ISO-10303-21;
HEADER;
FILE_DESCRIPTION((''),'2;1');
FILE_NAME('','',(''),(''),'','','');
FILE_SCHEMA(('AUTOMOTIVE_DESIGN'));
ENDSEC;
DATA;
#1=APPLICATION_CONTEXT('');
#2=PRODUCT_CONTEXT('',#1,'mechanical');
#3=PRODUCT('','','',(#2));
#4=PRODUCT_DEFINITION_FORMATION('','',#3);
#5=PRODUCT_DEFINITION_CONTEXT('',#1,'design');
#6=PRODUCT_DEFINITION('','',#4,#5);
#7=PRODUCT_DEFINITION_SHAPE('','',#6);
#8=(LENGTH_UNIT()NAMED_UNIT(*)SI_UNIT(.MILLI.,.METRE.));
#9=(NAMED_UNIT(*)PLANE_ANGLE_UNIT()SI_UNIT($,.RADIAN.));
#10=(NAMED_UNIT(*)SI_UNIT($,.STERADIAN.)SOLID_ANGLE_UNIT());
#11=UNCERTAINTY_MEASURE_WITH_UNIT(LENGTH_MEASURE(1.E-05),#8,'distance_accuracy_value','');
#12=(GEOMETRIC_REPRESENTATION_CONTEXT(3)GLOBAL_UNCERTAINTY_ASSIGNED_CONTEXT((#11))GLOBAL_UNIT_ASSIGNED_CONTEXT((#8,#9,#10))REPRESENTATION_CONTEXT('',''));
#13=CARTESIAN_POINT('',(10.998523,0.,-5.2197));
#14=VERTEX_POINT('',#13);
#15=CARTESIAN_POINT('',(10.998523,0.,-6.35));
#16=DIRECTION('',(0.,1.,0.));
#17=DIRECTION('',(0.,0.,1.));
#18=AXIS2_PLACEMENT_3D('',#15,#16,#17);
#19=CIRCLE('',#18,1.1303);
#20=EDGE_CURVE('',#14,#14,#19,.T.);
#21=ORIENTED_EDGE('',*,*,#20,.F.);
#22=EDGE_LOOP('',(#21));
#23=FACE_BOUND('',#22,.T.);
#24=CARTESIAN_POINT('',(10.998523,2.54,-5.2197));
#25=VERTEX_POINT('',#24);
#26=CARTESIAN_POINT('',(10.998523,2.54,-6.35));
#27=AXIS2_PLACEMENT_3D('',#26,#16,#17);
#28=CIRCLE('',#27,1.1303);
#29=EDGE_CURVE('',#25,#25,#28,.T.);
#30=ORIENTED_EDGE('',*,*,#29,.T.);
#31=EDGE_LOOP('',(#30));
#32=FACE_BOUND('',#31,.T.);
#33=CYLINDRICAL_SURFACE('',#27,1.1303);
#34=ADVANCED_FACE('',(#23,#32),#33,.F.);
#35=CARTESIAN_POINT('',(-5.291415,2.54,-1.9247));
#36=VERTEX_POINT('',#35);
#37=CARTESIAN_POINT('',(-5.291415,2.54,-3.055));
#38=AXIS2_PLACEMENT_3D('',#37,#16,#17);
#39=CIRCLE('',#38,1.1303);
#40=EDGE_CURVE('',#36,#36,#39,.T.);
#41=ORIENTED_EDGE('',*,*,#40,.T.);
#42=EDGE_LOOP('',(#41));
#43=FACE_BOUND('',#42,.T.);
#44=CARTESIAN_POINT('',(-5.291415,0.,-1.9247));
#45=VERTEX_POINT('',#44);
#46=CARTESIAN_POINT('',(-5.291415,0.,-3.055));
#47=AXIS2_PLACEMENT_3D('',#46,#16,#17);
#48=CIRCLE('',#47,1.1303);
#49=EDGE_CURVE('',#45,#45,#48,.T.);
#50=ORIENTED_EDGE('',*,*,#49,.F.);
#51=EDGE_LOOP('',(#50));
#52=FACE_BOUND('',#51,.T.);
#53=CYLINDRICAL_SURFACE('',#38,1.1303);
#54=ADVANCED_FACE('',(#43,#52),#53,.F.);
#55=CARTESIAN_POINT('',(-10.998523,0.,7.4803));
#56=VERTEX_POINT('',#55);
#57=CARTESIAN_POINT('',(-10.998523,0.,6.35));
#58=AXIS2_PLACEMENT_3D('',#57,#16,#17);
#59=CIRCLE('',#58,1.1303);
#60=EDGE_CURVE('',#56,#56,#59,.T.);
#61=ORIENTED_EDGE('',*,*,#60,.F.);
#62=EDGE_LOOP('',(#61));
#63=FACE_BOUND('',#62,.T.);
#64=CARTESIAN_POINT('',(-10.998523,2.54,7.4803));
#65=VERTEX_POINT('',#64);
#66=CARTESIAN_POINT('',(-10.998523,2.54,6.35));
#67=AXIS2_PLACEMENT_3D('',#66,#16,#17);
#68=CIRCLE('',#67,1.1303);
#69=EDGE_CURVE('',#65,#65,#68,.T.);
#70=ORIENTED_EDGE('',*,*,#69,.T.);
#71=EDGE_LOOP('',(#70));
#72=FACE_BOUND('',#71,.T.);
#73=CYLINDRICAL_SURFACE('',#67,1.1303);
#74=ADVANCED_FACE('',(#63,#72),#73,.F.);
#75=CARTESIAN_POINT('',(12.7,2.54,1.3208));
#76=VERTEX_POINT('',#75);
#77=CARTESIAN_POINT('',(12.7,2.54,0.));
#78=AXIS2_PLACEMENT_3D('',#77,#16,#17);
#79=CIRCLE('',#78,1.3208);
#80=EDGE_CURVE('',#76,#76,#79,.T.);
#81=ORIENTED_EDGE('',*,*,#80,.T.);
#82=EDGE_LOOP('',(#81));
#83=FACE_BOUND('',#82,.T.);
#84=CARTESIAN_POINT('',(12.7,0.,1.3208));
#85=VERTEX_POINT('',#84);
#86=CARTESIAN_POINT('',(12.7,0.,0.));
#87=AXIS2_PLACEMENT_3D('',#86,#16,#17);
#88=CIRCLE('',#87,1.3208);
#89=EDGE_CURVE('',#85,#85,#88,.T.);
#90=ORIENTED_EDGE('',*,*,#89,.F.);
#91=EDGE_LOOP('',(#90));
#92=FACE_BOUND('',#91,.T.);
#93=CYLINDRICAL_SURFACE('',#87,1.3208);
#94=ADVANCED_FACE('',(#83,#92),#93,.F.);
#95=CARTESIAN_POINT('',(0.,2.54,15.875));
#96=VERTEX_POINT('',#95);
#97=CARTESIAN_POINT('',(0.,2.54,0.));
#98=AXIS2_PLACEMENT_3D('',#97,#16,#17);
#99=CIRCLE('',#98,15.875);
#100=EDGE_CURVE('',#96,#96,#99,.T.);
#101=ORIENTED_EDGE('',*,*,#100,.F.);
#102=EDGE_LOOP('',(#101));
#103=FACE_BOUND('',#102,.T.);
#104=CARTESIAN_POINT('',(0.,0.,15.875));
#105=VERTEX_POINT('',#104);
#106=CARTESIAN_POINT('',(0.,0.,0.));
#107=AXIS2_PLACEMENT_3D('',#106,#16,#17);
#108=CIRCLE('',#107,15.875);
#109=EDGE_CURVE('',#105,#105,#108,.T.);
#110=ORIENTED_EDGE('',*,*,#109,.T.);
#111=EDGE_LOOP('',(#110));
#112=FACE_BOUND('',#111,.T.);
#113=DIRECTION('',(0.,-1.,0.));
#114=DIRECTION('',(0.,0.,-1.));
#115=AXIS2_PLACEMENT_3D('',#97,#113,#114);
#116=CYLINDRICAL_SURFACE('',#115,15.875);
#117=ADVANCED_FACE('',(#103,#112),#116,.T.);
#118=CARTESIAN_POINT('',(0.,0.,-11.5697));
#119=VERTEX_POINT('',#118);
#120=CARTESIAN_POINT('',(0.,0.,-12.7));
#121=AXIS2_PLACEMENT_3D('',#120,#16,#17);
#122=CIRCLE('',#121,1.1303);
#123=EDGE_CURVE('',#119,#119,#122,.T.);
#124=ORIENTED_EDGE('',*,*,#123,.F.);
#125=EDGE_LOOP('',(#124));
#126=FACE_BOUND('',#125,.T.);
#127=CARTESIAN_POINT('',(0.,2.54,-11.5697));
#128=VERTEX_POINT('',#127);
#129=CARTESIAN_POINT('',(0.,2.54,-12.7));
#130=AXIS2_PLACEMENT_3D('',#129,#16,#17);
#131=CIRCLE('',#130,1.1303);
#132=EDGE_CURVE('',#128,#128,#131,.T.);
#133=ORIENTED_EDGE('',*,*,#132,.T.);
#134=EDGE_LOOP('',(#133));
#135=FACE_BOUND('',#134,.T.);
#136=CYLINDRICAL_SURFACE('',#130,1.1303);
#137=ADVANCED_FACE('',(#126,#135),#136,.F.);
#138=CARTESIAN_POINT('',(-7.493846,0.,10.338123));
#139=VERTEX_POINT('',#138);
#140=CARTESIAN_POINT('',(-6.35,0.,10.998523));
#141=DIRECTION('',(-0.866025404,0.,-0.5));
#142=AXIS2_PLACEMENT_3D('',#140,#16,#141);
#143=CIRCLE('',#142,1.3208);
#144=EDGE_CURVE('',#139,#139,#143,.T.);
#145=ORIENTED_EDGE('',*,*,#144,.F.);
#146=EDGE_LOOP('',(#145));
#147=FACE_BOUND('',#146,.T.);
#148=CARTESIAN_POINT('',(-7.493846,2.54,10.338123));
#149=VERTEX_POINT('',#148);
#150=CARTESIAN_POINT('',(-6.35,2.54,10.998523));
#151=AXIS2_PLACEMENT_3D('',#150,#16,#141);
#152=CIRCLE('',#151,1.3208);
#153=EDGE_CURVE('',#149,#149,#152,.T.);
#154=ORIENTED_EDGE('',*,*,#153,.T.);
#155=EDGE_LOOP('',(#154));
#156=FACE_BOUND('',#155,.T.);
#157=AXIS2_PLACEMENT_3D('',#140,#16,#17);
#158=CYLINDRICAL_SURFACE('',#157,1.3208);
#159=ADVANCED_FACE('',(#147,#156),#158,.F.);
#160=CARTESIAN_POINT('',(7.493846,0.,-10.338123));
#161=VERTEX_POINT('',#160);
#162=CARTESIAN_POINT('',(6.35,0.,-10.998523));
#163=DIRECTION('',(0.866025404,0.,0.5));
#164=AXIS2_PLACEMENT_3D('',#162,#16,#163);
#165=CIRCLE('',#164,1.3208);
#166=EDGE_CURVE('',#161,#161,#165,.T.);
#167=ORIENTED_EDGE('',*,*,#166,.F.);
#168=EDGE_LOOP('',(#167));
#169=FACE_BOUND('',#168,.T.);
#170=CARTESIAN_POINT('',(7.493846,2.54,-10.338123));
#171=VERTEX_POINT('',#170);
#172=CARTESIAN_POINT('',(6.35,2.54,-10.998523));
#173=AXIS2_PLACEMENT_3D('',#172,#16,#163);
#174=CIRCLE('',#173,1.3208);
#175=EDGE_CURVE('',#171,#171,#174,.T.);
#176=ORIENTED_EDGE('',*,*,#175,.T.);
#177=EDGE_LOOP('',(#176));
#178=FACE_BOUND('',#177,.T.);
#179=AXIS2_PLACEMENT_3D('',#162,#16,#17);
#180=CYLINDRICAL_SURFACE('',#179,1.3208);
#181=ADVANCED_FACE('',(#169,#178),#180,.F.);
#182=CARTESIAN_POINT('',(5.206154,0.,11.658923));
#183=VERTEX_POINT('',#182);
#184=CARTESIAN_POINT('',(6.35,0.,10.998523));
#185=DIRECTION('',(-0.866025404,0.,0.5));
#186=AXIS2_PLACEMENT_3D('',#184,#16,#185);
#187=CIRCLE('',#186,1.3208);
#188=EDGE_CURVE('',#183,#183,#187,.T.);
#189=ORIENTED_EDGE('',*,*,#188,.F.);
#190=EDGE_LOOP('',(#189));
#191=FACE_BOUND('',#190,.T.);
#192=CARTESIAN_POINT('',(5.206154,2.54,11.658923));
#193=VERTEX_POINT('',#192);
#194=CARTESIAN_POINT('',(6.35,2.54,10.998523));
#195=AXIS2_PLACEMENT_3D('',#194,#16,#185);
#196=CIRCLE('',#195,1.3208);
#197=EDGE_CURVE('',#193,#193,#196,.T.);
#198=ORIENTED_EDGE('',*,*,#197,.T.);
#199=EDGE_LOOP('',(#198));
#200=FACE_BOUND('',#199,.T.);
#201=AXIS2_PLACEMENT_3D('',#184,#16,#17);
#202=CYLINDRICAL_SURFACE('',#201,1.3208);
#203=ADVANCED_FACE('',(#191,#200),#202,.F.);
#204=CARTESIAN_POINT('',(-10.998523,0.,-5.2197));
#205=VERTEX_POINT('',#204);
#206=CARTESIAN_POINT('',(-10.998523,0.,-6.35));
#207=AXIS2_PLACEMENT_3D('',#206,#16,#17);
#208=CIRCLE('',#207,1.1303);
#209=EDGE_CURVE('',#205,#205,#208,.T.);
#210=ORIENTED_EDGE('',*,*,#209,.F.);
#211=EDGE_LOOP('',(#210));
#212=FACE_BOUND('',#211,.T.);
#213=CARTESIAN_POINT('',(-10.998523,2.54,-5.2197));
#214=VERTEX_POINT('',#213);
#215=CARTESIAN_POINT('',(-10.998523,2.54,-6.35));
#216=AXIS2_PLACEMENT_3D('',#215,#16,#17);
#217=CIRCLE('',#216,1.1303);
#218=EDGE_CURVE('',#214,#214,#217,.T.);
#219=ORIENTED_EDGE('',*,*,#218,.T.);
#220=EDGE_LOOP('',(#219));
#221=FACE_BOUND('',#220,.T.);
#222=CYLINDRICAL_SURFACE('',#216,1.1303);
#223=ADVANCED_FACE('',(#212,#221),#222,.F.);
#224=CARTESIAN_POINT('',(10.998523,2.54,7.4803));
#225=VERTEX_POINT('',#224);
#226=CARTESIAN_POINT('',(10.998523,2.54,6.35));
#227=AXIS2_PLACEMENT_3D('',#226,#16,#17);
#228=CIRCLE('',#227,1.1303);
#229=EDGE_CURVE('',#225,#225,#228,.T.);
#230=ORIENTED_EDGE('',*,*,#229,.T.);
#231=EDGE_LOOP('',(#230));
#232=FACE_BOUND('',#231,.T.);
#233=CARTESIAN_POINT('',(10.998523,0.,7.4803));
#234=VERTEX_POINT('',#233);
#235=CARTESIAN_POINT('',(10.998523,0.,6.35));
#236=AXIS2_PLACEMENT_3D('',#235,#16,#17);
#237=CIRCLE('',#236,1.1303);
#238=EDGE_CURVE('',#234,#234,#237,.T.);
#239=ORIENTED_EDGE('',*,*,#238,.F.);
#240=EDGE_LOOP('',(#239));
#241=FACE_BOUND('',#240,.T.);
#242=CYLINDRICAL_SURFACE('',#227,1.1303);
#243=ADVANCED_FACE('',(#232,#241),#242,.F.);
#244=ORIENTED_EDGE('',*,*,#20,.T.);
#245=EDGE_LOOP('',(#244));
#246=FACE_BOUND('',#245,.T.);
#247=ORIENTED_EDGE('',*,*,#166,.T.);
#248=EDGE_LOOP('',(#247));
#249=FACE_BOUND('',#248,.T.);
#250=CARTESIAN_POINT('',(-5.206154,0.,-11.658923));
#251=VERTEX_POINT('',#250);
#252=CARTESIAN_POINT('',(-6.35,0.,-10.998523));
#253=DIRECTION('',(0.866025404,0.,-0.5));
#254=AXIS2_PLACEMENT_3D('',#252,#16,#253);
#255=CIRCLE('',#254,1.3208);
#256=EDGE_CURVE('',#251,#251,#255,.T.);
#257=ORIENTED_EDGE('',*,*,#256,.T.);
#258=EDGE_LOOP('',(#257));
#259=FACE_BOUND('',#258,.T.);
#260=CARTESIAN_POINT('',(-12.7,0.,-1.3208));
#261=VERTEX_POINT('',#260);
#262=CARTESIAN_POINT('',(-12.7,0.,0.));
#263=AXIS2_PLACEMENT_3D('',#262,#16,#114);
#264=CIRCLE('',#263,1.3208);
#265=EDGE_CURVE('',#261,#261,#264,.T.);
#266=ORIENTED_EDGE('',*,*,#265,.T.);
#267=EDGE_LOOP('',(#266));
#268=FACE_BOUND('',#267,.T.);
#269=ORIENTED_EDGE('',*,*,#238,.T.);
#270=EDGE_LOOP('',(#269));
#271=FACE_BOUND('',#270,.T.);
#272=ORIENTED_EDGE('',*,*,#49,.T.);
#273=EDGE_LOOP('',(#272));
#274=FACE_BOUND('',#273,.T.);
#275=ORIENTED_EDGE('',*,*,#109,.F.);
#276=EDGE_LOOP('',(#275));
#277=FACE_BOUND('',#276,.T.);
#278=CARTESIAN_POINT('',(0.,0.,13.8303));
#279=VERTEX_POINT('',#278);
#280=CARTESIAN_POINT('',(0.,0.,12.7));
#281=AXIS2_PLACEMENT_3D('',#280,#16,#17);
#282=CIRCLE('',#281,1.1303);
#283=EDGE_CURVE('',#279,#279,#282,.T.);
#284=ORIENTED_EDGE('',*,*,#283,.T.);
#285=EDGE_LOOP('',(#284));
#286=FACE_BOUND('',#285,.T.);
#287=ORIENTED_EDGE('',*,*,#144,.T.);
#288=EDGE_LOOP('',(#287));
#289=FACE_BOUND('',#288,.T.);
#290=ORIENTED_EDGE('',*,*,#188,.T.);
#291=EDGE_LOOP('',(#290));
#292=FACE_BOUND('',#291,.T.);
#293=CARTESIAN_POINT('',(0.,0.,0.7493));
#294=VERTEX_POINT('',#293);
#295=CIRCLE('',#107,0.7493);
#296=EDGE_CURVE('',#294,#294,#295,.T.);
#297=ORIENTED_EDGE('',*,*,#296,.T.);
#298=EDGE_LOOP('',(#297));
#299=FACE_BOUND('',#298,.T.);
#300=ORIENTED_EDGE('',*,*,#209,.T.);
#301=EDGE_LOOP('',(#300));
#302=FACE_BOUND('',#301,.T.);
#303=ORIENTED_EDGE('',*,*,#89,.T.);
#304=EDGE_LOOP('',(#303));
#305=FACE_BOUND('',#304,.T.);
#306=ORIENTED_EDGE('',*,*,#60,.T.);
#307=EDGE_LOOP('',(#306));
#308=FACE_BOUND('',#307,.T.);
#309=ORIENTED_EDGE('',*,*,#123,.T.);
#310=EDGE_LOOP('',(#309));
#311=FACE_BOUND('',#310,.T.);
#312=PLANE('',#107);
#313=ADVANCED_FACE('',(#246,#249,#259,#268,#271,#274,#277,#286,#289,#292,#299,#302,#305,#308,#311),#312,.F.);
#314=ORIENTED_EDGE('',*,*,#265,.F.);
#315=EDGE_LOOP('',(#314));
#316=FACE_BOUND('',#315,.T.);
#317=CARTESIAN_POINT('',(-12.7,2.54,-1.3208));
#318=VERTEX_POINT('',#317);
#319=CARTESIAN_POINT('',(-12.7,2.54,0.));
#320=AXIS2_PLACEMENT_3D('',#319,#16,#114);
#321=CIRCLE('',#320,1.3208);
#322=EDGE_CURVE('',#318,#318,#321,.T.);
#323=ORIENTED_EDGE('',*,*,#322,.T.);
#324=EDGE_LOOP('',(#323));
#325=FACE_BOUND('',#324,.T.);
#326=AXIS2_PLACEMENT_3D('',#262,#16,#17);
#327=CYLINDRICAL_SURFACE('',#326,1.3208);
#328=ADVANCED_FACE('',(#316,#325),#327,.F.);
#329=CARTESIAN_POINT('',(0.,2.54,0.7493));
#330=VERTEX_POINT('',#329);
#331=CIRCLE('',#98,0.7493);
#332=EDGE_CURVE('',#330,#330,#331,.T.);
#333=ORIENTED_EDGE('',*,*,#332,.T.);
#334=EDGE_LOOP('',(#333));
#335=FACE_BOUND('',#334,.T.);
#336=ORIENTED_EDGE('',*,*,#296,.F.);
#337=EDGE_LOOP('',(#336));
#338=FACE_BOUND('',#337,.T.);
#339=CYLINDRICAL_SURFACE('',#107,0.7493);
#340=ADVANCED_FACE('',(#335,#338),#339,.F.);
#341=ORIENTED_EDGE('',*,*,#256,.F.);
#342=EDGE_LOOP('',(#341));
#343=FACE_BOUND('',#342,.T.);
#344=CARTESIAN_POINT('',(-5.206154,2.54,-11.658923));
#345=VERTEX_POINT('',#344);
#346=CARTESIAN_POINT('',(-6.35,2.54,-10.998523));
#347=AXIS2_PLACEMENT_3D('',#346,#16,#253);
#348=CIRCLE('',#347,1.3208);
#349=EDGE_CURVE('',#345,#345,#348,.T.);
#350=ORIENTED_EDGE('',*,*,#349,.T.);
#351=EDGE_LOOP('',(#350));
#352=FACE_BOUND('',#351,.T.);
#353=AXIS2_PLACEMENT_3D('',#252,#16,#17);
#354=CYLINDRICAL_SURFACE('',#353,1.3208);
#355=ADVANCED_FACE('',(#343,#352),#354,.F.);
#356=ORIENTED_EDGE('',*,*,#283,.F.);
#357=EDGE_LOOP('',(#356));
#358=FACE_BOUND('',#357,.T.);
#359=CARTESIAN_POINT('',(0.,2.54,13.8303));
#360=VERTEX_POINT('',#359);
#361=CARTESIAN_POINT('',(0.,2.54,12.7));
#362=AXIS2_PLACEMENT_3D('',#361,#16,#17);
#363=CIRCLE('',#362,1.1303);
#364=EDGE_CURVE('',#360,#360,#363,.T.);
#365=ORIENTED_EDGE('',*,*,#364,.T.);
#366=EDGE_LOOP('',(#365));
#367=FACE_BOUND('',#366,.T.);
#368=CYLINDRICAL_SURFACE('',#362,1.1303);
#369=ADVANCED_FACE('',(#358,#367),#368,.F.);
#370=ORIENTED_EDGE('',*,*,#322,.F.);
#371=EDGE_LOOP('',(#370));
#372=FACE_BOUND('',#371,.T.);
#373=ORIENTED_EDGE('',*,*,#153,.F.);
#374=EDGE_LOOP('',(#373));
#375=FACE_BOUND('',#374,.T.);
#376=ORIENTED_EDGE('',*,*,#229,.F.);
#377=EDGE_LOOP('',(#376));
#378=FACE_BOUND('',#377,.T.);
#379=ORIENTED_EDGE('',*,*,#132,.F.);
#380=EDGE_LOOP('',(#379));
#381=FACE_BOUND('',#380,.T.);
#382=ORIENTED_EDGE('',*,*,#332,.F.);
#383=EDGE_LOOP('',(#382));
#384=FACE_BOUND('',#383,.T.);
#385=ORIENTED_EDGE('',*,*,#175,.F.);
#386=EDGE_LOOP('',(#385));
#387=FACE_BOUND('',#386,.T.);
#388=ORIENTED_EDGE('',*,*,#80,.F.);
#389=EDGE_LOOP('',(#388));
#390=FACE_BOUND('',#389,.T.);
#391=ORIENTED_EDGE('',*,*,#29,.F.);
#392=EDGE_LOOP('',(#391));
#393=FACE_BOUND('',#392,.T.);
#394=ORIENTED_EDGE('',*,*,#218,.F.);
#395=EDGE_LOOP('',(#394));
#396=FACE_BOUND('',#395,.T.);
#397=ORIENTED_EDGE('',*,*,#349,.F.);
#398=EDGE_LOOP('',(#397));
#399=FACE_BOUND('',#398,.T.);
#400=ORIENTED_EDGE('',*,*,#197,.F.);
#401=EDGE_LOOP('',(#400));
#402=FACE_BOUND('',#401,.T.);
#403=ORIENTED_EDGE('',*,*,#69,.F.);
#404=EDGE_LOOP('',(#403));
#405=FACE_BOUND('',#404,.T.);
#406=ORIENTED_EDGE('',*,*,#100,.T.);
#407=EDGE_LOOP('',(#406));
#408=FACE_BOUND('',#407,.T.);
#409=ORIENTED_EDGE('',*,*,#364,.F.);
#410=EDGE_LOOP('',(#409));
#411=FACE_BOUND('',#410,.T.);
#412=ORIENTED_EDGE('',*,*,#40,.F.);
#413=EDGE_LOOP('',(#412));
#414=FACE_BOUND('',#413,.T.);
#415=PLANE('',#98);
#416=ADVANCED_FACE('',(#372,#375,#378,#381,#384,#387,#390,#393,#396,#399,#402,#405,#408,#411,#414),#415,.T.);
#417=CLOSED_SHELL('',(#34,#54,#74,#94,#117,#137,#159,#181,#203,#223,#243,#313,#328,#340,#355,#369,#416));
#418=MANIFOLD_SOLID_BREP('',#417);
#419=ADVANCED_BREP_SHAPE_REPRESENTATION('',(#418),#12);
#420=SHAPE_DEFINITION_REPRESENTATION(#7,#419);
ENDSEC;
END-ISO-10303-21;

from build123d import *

# Parameters (mm, degrees)
SKETCH1_R                 = 15.875
BOSS_EXTRUDE1_DEPTH       = 2.54
TAP_DRILL_FOR_4_40_TAP1_D = 2.2606
CIRPATTERN1_COUNT         = 6
SKETCH8_R                 = 0.7493
CUT_EXTRUDE1_DEPTH        = 2.54
SKETCH15_R                = 1.3208
CUT_EXTRUDE2_DEPTH        = 2.54
CIRPATTERN2_COUNT         = 6
F_4_40_TAPPED_HOLE3_D     = 2.2606


with BuildPart() as part:
    # Sketch1 → Boss-Extrude1 (new body)
    with BuildSketch(Plane(origin=(0, 0, 0), x_dir=(1, 0, 0), z_dir=(0, 1, 0))):
        with Locations(Location((0, 0, 0), (0, 0, 270))):
            Circle(SKETCH1_R)
    extrude(amount=BOSS_EXTRUDE1_DEPTH)

    # Tap Drill for #4-40 Tap1 (through all)
    with Locations(Plane(origin=(0, 2.54, 0), x_dir=(1, 0, 0), z_dir=(0, 1, 0))):
        with Locations((0, 12.7)):
            tap_drill_for_4_40_tap1 = Hole(TAP_DRILL_FOR_4_40_TAP1_D / 2)

    # CirPattern1: Tap Drill for #4-40 Tap1 ×6 about axis
    cirpattern1_axis = Axis((0, 0, 0), (0, 1, 0))
    for i in range(1, CIRPATTERN1_COUNT):
        add(tap_drill_for_4_40_tap1.rotate(cirpattern1_axis, i * 360 / CIRPATTERN1_COUNT), mode=Mode.SUBTRACT)

    # Sketch8 → Cut-Extrude1 (cut)
    with BuildSketch(Plane(origin=(0, 2.54, 0), x_dir=(1, 0, 0), z_dir=(0, 1, 0))):
        with Locations(Location((0, 0, 0), (0, 0, 270))):
            Circle(SKETCH8_R)
    extrude(amount=-CUT_EXTRUDE1_DEPTH, mode=Mode.SUBTRACT)

    # Sketch15 → Cut-Extrude2 (cut)
    with BuildSketch(Plane(origin=(0, 2.54, 0), x_dir=(1, 0, 0), z_dir=(0, 1, 0))):
        with Locations(Location((12.7, 0, 0), (0, 0, 270))):
            Circle(SKETCH15_R)
    cut_extrude2 = extrude(amount=-CUT_EXTRUDE2_DEPTH, mode=Mode.SUBTRACT)

    # CirPattern2: Cut-Extrude2 ×6 about axis
    cirpattern2_axis = Axis((0, 0, 0), (0, 1, 0))
    for i in range(1, CIRPATTERN2_COUNT):
        add(cut_extrude2.rotate(cirpattern2_axis, i * 360 / CIRPATTERN2_COUNT), mode=Mode.SUBTRACT)

    # #4-40 Tapped Hole3 (through all)
    with Locations(Plane(origin=(0, 2.54, 0), x_dir=(1, 0, 0), z_dir=(0, 1, 0))):
        with Locations((-5.291415217, 3.055)):
            Hole(F_4_40_TAPPED_HOLE3_D / 2)


solid = part.part
